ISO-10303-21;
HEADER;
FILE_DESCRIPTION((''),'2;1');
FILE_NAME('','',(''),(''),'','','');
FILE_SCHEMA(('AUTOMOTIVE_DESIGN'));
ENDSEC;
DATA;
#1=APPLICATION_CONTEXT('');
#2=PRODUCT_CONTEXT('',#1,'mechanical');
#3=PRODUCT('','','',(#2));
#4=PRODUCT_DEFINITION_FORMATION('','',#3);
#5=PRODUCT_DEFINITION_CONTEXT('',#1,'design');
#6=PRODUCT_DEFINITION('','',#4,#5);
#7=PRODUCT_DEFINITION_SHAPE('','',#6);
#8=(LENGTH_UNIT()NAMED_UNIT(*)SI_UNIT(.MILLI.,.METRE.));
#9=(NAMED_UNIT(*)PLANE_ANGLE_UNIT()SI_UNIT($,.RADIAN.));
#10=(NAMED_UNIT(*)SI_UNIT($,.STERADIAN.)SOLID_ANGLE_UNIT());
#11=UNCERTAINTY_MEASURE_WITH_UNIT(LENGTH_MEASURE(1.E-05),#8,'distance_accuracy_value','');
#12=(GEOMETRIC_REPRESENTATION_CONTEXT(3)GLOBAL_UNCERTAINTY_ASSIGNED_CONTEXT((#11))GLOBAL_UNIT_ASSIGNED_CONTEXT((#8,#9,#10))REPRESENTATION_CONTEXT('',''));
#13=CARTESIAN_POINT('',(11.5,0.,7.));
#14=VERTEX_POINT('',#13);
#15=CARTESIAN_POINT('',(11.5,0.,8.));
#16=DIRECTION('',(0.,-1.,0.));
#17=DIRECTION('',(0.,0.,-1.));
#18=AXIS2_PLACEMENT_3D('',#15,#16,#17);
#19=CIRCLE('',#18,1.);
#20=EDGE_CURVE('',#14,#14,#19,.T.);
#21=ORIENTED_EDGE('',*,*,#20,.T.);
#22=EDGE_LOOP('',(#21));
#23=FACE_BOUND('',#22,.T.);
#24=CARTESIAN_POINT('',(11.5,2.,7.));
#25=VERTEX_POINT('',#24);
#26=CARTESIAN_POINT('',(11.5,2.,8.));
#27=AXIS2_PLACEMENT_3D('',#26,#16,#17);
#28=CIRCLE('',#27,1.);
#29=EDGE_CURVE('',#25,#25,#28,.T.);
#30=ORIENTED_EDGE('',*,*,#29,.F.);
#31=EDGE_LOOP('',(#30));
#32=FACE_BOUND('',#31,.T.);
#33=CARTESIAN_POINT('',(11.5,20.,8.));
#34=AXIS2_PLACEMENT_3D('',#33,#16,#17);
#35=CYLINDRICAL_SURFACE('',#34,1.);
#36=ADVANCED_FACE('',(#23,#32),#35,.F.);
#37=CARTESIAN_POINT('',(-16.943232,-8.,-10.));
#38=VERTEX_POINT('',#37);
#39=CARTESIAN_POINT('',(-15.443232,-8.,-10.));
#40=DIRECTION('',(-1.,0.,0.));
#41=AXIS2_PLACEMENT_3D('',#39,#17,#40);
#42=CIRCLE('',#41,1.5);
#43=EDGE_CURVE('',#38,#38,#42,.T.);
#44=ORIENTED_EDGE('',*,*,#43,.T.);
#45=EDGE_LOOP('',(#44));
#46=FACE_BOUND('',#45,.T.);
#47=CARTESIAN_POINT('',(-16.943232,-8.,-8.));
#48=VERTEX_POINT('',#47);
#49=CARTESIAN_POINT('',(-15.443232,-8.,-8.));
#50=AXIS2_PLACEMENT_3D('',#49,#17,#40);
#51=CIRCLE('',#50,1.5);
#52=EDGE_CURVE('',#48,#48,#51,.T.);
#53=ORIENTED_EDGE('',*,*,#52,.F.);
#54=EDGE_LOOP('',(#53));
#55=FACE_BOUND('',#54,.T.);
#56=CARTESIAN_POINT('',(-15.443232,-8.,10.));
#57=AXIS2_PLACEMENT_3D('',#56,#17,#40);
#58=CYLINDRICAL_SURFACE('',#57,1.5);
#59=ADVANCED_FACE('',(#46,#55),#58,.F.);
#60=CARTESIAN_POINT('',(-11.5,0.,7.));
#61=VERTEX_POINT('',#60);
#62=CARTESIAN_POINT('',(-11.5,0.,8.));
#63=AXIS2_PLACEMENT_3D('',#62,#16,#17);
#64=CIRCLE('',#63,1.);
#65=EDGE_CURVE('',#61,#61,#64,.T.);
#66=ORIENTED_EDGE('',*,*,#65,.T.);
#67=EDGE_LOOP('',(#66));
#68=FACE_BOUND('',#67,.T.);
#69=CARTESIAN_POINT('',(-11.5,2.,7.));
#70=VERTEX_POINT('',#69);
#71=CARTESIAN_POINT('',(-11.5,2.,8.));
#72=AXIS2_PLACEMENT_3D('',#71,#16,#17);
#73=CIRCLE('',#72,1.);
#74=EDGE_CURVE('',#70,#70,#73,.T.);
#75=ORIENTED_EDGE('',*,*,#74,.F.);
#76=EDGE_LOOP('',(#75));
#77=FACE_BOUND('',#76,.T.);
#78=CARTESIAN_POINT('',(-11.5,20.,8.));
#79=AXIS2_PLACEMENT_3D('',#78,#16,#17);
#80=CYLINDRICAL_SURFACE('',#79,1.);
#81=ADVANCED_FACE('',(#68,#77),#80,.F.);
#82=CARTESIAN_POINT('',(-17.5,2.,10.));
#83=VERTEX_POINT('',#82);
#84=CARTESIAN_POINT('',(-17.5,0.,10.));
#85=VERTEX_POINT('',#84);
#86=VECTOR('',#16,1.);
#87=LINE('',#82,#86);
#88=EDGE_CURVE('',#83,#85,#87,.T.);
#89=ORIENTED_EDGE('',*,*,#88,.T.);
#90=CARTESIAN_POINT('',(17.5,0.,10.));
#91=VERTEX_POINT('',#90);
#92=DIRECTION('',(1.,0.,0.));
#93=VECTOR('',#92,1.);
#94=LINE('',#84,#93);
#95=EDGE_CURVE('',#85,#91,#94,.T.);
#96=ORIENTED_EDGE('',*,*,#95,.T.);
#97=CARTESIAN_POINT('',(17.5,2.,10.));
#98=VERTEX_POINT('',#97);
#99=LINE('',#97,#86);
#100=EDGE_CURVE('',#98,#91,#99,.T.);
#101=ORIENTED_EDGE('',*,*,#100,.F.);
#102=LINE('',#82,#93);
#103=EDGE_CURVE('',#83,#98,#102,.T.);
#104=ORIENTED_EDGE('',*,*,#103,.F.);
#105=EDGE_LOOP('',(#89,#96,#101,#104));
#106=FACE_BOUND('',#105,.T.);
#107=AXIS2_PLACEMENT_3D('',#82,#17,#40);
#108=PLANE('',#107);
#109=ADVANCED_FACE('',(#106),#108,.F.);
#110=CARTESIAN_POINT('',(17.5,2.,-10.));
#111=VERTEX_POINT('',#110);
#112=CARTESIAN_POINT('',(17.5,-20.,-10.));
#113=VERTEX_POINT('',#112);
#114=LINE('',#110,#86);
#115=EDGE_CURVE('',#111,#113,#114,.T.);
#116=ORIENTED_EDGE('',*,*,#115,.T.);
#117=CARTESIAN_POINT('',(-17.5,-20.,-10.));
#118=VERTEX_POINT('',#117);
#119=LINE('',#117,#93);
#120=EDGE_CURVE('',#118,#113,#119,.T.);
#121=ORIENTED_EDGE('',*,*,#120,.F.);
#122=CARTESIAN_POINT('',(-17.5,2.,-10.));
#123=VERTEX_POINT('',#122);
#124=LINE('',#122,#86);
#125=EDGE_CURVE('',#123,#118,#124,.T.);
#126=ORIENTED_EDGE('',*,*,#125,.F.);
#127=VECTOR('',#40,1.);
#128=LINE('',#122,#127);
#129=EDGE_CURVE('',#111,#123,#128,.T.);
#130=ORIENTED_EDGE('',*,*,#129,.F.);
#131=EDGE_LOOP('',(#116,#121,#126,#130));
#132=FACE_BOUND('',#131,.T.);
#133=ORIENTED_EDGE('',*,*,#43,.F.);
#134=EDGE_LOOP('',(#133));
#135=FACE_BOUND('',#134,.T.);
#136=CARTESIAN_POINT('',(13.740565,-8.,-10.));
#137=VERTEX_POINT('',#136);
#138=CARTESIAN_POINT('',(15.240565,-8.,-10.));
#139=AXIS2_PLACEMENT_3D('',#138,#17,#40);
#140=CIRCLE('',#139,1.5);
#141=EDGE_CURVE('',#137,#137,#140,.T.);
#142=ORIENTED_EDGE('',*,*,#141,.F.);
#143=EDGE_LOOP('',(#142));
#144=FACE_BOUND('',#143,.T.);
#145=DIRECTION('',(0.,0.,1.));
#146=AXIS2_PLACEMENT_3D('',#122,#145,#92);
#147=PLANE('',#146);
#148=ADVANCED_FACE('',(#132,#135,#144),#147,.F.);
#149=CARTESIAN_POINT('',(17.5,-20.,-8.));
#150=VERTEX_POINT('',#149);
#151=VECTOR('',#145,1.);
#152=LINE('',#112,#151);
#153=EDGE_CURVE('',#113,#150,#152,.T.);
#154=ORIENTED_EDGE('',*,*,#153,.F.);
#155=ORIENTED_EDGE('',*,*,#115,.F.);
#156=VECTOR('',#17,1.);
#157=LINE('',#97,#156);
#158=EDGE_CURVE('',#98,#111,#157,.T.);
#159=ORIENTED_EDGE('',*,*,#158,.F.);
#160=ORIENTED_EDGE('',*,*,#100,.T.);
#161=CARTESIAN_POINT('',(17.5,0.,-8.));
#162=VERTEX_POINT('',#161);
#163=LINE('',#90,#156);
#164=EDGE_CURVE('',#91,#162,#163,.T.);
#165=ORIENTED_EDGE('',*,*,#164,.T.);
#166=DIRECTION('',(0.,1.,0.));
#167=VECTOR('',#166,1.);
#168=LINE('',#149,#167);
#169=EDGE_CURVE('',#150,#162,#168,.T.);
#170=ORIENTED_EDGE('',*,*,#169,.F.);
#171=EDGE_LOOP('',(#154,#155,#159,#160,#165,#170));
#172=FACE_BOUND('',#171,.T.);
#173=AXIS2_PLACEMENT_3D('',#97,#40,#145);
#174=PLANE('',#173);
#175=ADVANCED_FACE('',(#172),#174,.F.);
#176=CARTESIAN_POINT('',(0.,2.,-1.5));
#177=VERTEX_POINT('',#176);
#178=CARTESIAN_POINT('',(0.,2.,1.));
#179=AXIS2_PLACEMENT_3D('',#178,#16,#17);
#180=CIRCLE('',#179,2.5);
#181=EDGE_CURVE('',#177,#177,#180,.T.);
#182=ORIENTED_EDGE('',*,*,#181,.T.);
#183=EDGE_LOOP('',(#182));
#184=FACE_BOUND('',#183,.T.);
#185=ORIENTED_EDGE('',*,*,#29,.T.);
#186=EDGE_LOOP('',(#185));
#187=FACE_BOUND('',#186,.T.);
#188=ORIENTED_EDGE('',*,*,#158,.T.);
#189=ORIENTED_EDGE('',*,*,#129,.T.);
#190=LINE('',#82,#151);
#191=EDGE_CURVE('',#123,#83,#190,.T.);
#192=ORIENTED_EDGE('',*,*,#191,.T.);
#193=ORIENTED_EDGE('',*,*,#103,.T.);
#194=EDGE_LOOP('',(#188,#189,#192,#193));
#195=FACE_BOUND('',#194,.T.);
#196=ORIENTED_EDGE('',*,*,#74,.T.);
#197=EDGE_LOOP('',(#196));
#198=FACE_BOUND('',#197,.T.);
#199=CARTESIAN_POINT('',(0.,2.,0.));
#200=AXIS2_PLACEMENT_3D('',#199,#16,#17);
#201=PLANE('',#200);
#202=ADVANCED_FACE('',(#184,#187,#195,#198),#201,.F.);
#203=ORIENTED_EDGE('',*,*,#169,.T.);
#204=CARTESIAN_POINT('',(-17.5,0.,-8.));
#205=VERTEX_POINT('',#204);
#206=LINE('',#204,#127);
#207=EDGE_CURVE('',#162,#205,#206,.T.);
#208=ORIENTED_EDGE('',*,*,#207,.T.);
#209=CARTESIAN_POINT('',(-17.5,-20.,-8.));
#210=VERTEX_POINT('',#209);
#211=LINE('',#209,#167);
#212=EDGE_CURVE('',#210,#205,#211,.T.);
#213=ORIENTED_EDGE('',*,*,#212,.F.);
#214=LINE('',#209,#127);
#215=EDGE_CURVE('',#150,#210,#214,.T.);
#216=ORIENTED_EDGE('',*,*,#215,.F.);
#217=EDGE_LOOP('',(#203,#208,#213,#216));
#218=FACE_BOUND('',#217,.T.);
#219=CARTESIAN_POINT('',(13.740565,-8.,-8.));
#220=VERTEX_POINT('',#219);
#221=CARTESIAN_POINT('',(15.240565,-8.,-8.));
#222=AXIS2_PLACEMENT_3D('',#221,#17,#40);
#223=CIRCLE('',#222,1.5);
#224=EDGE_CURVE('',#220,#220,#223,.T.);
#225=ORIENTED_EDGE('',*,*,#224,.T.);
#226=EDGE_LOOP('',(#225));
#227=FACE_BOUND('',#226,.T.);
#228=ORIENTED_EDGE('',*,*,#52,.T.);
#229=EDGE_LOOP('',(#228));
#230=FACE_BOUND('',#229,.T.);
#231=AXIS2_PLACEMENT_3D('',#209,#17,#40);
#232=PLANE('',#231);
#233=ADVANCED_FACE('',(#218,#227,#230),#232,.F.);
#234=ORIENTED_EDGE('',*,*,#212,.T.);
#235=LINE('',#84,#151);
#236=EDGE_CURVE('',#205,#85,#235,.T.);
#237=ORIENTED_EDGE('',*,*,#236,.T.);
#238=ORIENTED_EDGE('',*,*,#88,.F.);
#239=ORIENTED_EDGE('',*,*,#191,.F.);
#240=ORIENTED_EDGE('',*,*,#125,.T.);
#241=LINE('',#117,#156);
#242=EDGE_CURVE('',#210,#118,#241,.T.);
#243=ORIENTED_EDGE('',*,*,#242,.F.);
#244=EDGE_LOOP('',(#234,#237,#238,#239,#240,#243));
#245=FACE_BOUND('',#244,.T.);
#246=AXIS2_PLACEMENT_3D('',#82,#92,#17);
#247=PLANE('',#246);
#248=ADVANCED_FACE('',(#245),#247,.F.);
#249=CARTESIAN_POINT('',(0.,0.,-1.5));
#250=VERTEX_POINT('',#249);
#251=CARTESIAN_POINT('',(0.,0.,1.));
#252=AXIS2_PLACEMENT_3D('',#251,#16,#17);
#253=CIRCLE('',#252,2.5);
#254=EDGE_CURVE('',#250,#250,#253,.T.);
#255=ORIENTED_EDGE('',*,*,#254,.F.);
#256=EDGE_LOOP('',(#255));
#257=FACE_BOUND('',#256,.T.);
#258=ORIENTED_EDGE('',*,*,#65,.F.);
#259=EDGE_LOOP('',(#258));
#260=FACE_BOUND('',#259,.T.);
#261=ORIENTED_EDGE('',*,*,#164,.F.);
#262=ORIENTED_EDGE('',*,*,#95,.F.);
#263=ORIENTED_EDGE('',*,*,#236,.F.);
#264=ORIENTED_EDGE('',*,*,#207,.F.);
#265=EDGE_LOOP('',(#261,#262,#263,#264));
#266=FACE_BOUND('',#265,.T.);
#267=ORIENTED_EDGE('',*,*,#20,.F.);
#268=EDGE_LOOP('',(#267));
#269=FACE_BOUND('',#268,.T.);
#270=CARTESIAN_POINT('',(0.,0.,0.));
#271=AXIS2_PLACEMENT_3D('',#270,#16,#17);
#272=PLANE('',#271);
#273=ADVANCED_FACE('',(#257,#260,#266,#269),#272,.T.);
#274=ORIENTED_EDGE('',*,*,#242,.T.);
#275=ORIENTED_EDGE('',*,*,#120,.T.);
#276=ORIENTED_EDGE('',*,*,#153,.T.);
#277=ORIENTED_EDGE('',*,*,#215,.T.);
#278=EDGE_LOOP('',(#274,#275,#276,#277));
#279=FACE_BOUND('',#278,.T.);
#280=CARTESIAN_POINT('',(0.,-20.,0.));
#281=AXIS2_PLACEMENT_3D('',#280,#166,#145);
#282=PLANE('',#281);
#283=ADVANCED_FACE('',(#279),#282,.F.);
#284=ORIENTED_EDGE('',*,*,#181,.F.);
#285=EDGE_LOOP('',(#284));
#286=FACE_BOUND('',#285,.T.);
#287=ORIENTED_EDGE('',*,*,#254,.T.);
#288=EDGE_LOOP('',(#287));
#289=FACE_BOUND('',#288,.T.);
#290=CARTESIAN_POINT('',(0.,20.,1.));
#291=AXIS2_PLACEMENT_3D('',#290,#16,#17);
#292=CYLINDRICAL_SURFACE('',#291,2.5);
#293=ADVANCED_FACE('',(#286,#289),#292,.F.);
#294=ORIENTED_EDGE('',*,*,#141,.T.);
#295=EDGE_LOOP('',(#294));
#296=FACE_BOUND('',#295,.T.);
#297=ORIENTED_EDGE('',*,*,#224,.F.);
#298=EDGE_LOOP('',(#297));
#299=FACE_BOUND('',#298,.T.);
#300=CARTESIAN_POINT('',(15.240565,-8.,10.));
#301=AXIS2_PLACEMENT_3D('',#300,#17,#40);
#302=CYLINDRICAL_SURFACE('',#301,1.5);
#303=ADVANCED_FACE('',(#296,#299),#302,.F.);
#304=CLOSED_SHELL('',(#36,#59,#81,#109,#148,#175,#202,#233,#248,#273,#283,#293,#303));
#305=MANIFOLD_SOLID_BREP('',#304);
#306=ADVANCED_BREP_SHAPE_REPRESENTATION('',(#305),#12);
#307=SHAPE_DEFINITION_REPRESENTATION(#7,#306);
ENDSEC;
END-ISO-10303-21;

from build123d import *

# Parameters (mm, degrees)
SKETCH1_W           = 35
SKETCH1_H           = 20
BOSS_EXTRUDE1_DEPTH = 2
SKETCH2_W           = 35
SKETCH2_H           = 2
BOSS_EXTRUDE2_DEPTH = 20
SKETCH3_R           = 1.5
CUT_EXTRUDE1_DEPTH  = 20
SKETCH4_R           = 1
CUT_EXTRUDE2_DEPTH  = 20
SKETCH6_R           = 2.5
CUT_EXTRUDE3_DEPTH  = 20


with BuildPart() as part:
    # Sketch1 → Boss-Extrude1 (new body)
    with BuildSketch(Plane(origin=(0, 0, 0), x_dir=(1, 0, 0), z_dir=(0, 1, 0))):
        Rectangle(SKETCH1_W, SKETCH1_H)
    extrude(amount=BOSS_EXTRUDE1_DEPTH)

    # Sketch2 → Boss-Extrude2 (add)
    with BuildSketch(Plane.XZ):
        with Locations((0, -9)):
            Rectangle(SKETCH2_W, SKETCH2_H)
    extrude(amount=BOSS_EXTRUDE2_DEPTH)

    # Sketch3 → Cut-Extrude1 (cut)
    with BuildSketch(Plane(origin=(0, 0, -10), x_dir=(-1, 0, 0), z_dir=(0, 0, -1))):
        with Locations((-15.240565198, -8)):
            Circle(SKETCH3_R)
        with Locations((15.443232288, -8)):
            Circle(SKETCH3_R)
    extrude(amount=-CUT_EXTRUDE1_DEPTH, mode=Mode.SUBTRACT)

    # Sketch4 → Cut-Extrude2 (cut)
    with BuildSketch(Plane.XZ):
        with Locations(Location((-11.5, 8, 0), (0, 0, 270))):
            Circle(SKETCH4_R)
        with Locations(Location((11.5, 8, 0), (0, 0, 270))):
            Circle(SKETCH4_R)
    extrude(amount=-CUT_EXTRUDE2_DEPTH, mode=Mode.SUBTRACT)

    # Sketch6 → Cut-Extrude3 (cut)
    with BuildSketch(Plane.XZ):
        with Locations(Location((0, 1, 0), (0, 0, 270))):
            Circle(SKETCH6_R)
    extrude(amount=-CUT_EXTRUDE3_DEPTH, mode=Mode.SUBTRACT)


solid = part.part
